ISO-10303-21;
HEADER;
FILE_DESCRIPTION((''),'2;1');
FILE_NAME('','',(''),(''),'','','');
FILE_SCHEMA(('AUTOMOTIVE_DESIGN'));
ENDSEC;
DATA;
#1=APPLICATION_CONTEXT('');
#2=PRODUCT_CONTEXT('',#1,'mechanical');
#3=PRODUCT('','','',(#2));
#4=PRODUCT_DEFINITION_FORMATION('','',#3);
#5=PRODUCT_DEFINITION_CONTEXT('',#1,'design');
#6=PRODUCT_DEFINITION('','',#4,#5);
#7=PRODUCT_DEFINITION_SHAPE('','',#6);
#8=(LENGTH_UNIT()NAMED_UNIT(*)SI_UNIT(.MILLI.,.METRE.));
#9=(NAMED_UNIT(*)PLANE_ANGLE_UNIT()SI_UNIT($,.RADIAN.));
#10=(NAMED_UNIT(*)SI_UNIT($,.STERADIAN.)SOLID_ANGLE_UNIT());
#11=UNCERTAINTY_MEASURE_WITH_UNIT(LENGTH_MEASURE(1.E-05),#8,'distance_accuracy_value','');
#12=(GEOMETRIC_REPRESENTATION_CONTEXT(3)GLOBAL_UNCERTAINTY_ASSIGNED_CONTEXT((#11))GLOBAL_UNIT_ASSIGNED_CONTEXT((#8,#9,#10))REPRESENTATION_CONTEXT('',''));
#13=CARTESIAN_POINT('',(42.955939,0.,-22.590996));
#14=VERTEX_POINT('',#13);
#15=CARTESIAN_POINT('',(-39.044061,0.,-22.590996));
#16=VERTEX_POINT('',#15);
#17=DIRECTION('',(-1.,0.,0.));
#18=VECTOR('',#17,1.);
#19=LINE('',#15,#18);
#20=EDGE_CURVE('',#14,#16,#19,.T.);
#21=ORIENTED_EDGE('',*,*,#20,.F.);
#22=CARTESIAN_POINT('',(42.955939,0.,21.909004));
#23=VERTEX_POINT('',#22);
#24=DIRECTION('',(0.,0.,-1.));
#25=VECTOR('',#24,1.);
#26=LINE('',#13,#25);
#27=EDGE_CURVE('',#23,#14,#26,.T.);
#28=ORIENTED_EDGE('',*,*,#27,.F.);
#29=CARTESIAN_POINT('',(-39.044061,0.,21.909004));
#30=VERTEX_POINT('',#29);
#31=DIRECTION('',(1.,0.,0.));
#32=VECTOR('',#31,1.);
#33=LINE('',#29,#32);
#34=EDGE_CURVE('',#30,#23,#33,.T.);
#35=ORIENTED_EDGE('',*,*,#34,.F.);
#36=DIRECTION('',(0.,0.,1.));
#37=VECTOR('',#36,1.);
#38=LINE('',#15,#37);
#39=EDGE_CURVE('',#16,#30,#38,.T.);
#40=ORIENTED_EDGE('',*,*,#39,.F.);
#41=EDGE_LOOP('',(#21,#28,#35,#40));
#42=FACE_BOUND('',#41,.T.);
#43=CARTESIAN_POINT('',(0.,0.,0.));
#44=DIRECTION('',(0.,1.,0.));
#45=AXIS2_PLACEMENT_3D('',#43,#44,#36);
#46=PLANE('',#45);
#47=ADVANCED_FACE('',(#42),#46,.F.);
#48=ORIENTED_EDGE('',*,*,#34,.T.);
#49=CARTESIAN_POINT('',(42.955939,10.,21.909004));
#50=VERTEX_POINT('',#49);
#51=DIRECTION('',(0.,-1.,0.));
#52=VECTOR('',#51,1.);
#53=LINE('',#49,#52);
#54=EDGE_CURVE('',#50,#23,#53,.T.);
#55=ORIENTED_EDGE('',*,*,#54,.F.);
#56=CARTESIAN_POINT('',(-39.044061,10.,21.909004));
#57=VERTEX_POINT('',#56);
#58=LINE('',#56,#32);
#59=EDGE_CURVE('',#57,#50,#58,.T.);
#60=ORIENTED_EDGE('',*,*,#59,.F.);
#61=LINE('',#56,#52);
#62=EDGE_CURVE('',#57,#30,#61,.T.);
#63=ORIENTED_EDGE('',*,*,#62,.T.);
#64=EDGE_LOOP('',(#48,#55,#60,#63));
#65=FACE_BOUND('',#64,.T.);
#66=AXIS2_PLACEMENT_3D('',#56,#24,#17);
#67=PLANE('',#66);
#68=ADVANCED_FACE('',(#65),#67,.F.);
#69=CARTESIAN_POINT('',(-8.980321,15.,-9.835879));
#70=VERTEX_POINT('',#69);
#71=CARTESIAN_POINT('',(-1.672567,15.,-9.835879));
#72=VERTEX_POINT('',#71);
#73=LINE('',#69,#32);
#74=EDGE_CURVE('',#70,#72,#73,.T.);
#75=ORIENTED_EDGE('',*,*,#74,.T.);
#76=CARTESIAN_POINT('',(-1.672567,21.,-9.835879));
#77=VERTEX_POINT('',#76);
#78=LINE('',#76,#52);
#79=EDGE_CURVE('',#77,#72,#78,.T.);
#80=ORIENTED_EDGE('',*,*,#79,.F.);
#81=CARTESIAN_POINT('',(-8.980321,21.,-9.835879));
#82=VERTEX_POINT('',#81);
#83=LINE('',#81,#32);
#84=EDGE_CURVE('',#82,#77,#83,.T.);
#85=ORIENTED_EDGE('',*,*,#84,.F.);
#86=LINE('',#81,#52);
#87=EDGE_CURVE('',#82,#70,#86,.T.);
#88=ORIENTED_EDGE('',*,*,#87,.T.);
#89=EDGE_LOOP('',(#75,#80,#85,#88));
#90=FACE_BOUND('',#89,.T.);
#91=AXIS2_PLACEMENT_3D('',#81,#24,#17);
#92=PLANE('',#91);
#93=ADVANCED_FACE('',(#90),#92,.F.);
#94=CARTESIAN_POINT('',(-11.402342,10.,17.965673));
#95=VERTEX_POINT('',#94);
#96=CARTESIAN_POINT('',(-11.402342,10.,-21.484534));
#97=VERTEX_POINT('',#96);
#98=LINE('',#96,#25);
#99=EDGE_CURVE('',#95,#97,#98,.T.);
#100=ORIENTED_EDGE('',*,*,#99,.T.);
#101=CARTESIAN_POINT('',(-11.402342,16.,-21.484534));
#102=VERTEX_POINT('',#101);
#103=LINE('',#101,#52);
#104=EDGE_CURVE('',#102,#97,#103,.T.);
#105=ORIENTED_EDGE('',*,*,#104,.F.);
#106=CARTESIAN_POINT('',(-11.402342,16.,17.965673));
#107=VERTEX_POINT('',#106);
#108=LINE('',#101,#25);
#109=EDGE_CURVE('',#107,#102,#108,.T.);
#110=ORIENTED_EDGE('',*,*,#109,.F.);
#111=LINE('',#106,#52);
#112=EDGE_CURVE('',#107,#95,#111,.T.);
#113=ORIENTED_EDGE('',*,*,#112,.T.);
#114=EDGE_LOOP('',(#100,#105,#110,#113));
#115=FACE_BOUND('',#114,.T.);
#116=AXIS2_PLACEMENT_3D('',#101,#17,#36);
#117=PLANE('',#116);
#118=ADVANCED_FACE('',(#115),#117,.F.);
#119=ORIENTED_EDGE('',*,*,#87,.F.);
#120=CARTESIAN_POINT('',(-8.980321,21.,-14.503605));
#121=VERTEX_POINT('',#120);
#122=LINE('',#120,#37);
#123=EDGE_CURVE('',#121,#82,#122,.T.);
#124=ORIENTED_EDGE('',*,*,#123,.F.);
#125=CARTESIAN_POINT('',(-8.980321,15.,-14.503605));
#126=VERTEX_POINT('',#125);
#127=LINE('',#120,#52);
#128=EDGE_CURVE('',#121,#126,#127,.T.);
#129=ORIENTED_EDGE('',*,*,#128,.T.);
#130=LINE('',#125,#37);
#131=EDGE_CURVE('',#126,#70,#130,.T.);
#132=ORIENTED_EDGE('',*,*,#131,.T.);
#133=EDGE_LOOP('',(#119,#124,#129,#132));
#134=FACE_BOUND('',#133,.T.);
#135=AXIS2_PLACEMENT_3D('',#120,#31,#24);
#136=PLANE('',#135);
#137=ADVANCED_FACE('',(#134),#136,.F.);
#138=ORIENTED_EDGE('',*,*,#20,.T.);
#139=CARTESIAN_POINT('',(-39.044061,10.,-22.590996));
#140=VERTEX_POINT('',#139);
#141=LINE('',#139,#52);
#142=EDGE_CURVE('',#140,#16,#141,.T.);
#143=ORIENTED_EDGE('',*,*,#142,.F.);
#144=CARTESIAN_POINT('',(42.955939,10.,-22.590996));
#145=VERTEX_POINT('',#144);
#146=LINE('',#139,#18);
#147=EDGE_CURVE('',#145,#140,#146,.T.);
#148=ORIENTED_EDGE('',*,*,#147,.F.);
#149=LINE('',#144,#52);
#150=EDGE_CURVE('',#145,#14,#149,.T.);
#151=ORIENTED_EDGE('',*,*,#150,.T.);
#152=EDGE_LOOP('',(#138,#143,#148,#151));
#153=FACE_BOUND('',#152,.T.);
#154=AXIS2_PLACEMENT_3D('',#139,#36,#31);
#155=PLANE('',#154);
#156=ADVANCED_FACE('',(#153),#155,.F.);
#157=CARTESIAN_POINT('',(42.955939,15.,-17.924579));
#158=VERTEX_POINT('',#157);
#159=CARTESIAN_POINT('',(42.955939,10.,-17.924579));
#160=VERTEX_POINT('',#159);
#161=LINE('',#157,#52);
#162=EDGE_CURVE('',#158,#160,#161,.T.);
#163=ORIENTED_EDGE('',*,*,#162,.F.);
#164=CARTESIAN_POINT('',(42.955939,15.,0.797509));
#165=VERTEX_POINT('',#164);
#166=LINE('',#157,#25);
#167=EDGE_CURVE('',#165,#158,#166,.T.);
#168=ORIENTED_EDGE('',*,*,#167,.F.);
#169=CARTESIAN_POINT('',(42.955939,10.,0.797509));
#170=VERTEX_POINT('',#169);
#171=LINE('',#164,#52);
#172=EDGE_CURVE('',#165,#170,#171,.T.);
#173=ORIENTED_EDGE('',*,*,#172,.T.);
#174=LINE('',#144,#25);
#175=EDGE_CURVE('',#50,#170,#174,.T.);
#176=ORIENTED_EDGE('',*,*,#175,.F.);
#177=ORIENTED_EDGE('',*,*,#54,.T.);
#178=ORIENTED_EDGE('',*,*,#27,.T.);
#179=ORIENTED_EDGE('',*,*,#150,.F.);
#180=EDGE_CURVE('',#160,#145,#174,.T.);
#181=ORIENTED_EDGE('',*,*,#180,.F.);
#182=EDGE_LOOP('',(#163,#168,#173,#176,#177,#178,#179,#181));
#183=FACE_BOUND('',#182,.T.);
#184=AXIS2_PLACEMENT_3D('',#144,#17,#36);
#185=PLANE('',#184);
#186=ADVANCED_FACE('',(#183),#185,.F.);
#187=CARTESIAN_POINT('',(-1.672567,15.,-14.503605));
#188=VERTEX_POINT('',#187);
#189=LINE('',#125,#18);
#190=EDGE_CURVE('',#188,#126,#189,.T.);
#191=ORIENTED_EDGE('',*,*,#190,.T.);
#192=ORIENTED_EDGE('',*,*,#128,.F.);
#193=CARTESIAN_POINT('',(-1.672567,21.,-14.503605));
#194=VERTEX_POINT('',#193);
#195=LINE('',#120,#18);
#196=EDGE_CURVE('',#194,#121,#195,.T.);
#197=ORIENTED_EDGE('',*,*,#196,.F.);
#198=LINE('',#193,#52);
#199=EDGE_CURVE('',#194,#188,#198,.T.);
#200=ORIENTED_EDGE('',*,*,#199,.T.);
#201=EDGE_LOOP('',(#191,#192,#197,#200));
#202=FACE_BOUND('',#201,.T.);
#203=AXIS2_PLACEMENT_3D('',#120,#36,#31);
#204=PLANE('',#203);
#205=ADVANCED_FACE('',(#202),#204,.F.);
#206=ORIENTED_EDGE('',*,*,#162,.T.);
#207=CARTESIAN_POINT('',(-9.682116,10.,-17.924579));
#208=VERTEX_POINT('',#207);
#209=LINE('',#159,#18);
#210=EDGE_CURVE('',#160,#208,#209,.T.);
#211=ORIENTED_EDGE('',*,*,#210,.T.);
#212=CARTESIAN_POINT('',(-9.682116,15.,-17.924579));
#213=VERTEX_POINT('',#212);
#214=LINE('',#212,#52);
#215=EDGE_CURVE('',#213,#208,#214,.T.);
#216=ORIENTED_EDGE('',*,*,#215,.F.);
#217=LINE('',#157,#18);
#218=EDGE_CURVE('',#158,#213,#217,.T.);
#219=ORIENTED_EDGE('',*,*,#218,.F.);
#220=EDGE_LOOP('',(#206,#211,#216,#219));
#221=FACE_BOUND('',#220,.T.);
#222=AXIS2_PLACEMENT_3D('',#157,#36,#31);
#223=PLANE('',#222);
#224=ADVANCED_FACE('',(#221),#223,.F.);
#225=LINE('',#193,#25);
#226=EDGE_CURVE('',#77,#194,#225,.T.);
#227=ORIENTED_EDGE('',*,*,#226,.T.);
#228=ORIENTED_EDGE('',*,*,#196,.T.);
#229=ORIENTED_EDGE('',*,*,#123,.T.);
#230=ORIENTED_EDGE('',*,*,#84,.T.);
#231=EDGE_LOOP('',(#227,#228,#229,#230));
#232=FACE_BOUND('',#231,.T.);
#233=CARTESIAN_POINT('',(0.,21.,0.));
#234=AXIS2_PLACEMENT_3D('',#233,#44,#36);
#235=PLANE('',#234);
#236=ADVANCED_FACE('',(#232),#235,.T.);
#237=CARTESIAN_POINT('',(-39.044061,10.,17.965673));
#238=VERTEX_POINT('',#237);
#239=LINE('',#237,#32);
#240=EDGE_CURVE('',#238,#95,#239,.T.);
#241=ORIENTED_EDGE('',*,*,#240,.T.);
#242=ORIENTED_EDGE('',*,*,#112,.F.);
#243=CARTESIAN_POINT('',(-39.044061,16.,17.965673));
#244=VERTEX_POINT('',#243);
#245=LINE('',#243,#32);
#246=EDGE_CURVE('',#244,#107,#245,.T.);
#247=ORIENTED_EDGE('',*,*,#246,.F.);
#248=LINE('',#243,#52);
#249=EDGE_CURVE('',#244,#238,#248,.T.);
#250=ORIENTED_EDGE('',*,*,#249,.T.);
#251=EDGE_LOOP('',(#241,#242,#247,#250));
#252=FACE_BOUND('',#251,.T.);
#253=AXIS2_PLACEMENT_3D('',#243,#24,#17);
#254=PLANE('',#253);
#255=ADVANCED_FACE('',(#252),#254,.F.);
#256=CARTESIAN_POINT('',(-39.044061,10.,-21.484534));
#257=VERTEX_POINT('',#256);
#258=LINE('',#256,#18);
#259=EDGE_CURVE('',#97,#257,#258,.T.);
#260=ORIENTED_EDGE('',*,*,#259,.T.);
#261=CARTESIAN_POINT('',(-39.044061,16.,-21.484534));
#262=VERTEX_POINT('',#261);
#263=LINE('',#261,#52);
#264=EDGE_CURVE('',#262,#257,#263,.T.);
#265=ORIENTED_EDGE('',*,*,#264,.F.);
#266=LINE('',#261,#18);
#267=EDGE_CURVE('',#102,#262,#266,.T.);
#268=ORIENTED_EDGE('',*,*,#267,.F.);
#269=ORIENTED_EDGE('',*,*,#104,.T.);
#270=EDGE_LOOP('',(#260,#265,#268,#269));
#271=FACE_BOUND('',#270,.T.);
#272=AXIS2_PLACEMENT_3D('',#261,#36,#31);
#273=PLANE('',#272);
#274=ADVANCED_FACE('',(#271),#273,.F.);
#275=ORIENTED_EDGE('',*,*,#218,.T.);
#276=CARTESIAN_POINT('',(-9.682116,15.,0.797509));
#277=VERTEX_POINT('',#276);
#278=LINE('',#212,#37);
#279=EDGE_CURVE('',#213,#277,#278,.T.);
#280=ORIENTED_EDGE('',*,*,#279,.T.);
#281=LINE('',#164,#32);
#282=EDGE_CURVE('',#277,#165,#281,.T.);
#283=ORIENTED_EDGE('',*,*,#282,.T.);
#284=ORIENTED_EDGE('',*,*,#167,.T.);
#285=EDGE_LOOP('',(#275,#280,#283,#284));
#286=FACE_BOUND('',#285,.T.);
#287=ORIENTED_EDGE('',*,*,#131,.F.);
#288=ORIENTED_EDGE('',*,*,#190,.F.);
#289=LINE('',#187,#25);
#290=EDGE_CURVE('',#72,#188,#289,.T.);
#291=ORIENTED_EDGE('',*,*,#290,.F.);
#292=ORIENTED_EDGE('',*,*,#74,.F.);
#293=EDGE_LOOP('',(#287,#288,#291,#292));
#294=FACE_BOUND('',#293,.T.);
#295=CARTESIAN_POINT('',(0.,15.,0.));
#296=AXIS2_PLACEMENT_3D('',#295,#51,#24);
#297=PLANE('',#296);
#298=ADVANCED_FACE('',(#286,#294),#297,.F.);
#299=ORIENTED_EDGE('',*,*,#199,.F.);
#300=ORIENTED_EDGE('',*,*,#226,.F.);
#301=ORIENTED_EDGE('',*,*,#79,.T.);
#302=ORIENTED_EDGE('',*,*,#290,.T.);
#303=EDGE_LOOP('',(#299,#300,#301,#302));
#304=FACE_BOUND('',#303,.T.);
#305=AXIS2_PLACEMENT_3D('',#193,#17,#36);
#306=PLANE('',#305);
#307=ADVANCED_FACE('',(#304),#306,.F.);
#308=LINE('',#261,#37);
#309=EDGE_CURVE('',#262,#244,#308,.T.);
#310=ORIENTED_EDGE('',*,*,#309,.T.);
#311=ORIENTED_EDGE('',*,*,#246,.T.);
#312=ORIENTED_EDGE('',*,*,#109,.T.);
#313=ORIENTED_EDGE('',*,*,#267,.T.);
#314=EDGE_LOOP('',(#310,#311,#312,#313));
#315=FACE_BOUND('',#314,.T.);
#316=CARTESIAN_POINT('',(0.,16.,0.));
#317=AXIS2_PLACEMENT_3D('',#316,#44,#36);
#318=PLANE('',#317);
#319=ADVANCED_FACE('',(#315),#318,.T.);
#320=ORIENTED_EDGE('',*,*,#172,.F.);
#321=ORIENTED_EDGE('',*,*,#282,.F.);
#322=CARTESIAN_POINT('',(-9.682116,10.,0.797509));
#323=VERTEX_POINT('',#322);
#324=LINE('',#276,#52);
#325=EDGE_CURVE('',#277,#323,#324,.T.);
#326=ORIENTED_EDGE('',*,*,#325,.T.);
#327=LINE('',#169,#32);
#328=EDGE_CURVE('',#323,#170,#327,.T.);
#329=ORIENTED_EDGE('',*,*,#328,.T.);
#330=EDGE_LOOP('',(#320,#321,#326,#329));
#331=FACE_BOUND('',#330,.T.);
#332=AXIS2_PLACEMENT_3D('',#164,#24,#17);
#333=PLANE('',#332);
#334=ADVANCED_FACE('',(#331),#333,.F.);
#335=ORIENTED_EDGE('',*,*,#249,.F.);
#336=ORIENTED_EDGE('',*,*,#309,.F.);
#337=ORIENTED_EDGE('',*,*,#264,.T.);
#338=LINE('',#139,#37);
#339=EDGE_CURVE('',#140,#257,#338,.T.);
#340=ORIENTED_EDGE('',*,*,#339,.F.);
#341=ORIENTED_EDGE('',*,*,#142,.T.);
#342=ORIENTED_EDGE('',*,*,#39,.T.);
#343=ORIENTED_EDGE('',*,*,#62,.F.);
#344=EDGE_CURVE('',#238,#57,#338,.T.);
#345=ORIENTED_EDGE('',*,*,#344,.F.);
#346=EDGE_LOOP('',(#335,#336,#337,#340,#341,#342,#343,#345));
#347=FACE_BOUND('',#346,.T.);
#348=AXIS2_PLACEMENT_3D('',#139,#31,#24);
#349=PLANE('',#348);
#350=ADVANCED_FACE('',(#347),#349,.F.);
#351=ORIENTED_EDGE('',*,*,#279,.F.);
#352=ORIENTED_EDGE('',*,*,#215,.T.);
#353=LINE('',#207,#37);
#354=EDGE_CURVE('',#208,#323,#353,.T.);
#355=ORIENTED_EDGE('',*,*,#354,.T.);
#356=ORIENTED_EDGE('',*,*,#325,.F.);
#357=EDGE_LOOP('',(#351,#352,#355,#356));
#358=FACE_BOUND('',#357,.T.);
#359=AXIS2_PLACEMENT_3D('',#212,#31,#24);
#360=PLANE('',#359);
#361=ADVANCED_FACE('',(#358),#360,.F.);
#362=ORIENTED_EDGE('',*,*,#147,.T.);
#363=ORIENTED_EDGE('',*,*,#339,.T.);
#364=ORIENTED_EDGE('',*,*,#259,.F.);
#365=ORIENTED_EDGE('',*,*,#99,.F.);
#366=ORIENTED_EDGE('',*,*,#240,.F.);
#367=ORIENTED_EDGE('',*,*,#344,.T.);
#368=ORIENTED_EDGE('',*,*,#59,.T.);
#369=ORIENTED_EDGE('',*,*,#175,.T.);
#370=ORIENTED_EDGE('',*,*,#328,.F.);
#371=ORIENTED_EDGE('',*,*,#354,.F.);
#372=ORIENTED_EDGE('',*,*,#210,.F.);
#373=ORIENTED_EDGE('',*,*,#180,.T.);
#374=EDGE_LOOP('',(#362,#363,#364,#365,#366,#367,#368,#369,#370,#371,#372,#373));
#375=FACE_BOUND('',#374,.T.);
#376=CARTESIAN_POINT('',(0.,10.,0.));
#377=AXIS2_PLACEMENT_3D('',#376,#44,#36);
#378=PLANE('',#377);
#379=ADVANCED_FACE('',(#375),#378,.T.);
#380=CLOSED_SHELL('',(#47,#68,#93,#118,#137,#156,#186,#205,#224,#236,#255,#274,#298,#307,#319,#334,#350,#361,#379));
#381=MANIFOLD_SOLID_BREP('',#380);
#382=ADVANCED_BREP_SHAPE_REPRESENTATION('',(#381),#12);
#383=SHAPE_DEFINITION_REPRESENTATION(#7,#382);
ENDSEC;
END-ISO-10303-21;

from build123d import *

# Parameters (mm, degrees)
SKETCH1_W           = 82
SKETCH1_H           = 44.5
BOSS_EXTRUDE1_DEPTH = 10
SKETCH2_W           = 52.638055151
SKETCH2_H           = 18.722088721
BOSS_EXTRUDE2_DEPTH = 5
SKETCH3_W           = 27.641719578
SKETCH3_H           = 39.450206574
BOSS_EXTRUDE3_DEPTH = 6
SKETCH4_W           = 7.307754503
SKETCH4_H           = 4.667726012
BOSS_EXTRUDE4_DEPTH = 6


with BuildPart() as part:
    # Sketch1 → Boss-Extrude1 (new body)
    with BuildSketch(Plane(origin=(0, 0, 0), x_dir=(1, 0, 0), z_dir=(0, 1, 0))):
        with Locations((1.955938697, 0.340996169)):
            Rectangle(SKETCH1_W, SKETCH1_H)
    extrude(amount=BOSS_EXTRUDE1_DEPTH)

    # Sketch2 → Boss-Extrude2 (add)
    with BuildSketch(Plane(origin=(0, 10, 0), x_dir=(1, 0, 0), z_dir=(0, 1, 0))):
        with Locations((16.636911121, 8.563535134)):
            Rectangle(SKETCH2_W, SKETCH2_H)
    extrude(amount=BOSS_EXTRUDE2_DEPTH)

    # Sketch3 → Boss-Extrude3 (add)
    with BuildSketch(Plane(origin=(0, 10, 0), x_dir=(1, 0, 0), z_dir=(0, 1, 0))):
        with Locations((-25.223201514, 1.759430562)):
            Rectangle(SKETCH3_W, SKETCH3_H)
    extrude(amount=BOSS_EXTRUDE3_DEPTH)

    # Sketch4 → Boss-Extrude4 (add)
    with BuildSketch(Plane(origin=(0, 15, 0), x_dir=(1, 0, 0), z_dir=(0, 1, 0))):
        with Locations((-5.326444236, 12.169741761)):
            Rectangle(SKETCH4_W, SKETCH4_H)
    extrude(amount=BOSS_EXTRUDE4_DEPTH)


solid = part.part
